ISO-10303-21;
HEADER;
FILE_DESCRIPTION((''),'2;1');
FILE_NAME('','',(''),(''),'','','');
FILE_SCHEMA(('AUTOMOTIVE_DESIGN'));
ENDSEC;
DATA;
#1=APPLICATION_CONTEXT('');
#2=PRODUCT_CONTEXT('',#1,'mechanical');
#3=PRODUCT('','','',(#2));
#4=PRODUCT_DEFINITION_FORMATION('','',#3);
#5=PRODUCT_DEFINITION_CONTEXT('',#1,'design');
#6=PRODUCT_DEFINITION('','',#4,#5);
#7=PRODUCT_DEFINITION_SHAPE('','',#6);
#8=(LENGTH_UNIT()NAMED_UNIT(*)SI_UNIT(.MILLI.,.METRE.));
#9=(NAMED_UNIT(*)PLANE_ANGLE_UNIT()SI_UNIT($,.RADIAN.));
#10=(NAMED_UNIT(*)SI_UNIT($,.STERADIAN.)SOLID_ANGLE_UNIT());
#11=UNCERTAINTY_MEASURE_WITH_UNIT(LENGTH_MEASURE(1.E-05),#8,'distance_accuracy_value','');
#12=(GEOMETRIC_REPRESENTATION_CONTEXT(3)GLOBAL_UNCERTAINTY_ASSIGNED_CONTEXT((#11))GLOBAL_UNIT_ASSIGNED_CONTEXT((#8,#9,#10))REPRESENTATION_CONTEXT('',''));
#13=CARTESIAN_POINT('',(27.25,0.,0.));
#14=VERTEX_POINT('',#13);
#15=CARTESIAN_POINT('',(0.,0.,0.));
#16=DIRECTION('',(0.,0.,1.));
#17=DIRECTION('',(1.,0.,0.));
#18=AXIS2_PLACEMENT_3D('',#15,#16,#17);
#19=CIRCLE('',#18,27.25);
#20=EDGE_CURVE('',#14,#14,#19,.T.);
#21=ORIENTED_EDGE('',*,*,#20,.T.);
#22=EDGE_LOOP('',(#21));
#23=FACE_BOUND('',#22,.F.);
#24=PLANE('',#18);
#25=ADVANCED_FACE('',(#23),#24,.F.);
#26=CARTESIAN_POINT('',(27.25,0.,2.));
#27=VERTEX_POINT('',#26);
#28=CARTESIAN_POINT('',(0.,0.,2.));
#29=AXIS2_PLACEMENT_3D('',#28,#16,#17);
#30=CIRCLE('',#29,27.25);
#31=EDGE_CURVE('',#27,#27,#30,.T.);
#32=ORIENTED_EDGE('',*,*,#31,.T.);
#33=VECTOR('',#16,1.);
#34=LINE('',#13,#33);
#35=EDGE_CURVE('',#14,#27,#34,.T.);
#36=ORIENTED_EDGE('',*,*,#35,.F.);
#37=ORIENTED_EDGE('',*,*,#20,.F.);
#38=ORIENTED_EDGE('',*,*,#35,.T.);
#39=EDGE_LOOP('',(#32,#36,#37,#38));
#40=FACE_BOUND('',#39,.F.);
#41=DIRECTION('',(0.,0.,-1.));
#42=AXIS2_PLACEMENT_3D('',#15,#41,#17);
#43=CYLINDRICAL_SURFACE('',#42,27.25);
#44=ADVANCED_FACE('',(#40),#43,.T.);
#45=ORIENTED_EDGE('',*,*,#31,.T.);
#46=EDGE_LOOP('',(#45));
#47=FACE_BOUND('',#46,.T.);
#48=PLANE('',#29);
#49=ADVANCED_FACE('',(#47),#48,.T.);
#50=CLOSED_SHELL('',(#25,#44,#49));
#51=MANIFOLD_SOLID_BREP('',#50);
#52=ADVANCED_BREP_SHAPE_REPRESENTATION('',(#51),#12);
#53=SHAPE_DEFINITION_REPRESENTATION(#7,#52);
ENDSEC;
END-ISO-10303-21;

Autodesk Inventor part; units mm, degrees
ref_plane "YZ Plane" through (0, 0, 0) normal (1, 0, 0) x (0, 1, 0)
ref_plane "XZ Plane" through (0, 0, 0) normal (0, 1, 0) x (-1, 0, 0)
ref_plane "XY Plane" through (0, 0, 0) normal (0, 0, 1) x (1, 0, 0)
sketch "Esquisse1" plane through (0, 0, 0) normal (0, 0, 1) x (1, 0, 0)
  circle A0 centre (0, 0) radius 27.25
  dimension "d1" = 54.5
extrude "Extrusion1" add sketch "Esquisse1" along normal blind 2
properties part number "Cadran arriere cache"
